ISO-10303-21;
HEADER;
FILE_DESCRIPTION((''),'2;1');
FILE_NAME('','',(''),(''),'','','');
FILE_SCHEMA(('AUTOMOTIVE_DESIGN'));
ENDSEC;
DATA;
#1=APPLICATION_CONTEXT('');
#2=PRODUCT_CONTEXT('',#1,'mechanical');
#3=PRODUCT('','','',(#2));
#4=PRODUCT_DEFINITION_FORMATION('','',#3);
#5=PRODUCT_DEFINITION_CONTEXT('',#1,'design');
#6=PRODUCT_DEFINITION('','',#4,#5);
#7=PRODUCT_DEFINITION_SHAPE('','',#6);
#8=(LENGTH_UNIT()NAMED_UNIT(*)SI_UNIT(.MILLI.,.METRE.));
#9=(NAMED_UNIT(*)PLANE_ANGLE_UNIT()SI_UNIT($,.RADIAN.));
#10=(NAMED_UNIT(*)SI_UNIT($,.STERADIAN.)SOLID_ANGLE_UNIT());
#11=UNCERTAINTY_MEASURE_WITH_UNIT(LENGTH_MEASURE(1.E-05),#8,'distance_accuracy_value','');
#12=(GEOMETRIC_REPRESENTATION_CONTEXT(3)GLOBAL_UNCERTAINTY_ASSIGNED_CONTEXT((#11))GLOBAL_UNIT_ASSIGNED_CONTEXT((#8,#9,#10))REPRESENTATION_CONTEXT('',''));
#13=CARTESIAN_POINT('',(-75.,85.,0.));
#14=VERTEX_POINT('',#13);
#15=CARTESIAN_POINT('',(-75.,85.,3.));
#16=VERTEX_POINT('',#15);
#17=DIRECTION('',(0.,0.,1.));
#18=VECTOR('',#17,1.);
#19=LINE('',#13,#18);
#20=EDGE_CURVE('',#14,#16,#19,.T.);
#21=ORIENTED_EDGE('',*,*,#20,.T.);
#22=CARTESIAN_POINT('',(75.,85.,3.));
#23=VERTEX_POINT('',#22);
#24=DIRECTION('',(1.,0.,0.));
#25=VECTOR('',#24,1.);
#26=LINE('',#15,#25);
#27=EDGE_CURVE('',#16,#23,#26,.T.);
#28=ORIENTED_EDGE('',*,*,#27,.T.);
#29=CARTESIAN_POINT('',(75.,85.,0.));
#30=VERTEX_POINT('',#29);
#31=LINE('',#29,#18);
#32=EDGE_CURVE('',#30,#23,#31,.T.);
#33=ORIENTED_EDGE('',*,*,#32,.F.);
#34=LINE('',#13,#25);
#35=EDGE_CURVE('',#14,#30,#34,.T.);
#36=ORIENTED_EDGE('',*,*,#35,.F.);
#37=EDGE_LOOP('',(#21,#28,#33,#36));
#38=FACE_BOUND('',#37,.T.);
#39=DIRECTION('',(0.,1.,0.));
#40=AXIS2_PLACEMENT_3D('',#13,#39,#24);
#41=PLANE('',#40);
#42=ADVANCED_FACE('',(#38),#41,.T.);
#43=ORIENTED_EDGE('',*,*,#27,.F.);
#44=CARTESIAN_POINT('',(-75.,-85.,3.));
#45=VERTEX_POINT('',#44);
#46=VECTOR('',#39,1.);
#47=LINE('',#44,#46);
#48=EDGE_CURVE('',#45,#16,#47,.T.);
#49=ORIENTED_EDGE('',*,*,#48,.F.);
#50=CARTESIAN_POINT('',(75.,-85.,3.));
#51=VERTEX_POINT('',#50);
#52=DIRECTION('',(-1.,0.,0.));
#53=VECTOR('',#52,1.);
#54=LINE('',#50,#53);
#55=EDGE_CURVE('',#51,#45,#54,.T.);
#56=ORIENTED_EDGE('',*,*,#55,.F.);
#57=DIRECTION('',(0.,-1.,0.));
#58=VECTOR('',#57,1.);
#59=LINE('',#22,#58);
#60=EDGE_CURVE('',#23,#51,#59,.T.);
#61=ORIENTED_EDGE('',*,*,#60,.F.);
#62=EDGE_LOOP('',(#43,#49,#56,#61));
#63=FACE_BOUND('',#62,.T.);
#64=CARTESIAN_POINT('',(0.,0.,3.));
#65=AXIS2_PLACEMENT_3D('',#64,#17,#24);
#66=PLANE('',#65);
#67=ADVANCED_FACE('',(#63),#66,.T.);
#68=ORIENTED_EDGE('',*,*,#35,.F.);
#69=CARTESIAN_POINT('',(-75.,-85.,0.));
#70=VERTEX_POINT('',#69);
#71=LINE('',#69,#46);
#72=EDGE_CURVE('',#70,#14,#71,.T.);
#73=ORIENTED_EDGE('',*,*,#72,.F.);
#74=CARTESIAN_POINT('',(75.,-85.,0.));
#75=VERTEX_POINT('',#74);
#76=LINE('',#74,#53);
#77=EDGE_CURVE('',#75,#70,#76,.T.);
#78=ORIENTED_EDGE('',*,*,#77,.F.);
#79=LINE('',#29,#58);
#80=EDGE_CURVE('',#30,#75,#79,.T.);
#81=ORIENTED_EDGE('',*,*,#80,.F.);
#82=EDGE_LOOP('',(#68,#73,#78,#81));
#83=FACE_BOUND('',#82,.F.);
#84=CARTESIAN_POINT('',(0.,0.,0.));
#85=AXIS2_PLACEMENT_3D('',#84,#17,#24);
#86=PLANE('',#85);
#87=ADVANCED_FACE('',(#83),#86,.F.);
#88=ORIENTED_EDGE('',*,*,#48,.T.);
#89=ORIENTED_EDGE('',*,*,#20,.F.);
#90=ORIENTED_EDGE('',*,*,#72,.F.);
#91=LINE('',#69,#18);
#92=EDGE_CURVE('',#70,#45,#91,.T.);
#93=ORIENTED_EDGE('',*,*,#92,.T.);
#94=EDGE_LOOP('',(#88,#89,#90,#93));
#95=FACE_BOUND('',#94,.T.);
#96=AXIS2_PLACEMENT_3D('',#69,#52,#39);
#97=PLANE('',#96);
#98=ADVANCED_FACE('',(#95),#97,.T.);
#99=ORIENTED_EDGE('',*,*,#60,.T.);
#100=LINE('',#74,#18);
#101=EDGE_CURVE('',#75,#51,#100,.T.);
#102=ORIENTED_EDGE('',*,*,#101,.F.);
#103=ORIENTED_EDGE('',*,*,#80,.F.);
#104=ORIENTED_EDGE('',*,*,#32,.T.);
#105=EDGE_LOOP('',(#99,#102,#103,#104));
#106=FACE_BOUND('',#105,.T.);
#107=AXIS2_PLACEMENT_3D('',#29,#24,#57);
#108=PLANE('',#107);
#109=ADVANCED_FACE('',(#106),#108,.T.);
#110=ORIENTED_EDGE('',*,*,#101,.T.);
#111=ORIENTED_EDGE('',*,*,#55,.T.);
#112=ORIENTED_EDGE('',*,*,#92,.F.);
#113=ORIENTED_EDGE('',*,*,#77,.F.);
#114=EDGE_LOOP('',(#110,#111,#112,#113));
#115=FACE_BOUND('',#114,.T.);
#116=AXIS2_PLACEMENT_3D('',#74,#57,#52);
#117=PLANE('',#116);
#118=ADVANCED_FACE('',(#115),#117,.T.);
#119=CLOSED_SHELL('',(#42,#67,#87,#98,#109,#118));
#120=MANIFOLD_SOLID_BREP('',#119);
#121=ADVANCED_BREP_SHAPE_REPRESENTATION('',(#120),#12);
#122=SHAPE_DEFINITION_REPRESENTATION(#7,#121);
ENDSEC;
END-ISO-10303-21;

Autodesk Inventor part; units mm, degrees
ref_plane "YZ Plane" through (0, 0, 0) normal (1, 0, 0) x (0, 1, 0)
ref_plane "XZ Plane" through (0, 0, 0) normal (0, 1, 0) x (-1, 0, 0)
ref_plane "XY Plane" through (0, 0, 0) normal (0, 0, 1) x (1, 0, 0)
sketch "Esboço1" plane through (0, 0, 0) normal (0, 0, 1) x (1, 0, 0)
  line L0 (-75, 85) -> (75, 85)
  line L1 (75, 85) -> (75, -85)
  line L2 (75, -85) -> (-75, -85)
  line L3 (-75, -85) -> (-75, 85)
  line L4 (-75, 85) -> (75, -85) construction
  line L5 (75, 85) -> (-75, -85) construction
  point P0 (0, 0)
  dimension "d0" = 150
  dimension "d1" = 170
extrude "Placa1" add sketch "Esboço1" along normal blind 3
equation "\"d2\" = Espessura"
equation "\"Raio_vergadura\" = Espessura"
equation "\"Largura_alívio_de_vergadura\" = Espessura"
equation "\"Profundidade_alívio_de_vergadura\" = 0.5 * Espessura"
equation "\"Tamanho_alívio_de_dobra\" = 4 * Espessura"
equation "\"Remanescente_mínimo\" = 2 * Espessura"
equation "\"Raiodetransição\" = Raio_vergadura"
equation "\"Tamanho_de_raio_de_Jacobi\" = Raio_vergadura"
equation "\"TamanhoFolga\" = Espessura"
equation "\"Espessura\" = 3"
properties part number "ChapaFrontalCabecaAquevimento"
